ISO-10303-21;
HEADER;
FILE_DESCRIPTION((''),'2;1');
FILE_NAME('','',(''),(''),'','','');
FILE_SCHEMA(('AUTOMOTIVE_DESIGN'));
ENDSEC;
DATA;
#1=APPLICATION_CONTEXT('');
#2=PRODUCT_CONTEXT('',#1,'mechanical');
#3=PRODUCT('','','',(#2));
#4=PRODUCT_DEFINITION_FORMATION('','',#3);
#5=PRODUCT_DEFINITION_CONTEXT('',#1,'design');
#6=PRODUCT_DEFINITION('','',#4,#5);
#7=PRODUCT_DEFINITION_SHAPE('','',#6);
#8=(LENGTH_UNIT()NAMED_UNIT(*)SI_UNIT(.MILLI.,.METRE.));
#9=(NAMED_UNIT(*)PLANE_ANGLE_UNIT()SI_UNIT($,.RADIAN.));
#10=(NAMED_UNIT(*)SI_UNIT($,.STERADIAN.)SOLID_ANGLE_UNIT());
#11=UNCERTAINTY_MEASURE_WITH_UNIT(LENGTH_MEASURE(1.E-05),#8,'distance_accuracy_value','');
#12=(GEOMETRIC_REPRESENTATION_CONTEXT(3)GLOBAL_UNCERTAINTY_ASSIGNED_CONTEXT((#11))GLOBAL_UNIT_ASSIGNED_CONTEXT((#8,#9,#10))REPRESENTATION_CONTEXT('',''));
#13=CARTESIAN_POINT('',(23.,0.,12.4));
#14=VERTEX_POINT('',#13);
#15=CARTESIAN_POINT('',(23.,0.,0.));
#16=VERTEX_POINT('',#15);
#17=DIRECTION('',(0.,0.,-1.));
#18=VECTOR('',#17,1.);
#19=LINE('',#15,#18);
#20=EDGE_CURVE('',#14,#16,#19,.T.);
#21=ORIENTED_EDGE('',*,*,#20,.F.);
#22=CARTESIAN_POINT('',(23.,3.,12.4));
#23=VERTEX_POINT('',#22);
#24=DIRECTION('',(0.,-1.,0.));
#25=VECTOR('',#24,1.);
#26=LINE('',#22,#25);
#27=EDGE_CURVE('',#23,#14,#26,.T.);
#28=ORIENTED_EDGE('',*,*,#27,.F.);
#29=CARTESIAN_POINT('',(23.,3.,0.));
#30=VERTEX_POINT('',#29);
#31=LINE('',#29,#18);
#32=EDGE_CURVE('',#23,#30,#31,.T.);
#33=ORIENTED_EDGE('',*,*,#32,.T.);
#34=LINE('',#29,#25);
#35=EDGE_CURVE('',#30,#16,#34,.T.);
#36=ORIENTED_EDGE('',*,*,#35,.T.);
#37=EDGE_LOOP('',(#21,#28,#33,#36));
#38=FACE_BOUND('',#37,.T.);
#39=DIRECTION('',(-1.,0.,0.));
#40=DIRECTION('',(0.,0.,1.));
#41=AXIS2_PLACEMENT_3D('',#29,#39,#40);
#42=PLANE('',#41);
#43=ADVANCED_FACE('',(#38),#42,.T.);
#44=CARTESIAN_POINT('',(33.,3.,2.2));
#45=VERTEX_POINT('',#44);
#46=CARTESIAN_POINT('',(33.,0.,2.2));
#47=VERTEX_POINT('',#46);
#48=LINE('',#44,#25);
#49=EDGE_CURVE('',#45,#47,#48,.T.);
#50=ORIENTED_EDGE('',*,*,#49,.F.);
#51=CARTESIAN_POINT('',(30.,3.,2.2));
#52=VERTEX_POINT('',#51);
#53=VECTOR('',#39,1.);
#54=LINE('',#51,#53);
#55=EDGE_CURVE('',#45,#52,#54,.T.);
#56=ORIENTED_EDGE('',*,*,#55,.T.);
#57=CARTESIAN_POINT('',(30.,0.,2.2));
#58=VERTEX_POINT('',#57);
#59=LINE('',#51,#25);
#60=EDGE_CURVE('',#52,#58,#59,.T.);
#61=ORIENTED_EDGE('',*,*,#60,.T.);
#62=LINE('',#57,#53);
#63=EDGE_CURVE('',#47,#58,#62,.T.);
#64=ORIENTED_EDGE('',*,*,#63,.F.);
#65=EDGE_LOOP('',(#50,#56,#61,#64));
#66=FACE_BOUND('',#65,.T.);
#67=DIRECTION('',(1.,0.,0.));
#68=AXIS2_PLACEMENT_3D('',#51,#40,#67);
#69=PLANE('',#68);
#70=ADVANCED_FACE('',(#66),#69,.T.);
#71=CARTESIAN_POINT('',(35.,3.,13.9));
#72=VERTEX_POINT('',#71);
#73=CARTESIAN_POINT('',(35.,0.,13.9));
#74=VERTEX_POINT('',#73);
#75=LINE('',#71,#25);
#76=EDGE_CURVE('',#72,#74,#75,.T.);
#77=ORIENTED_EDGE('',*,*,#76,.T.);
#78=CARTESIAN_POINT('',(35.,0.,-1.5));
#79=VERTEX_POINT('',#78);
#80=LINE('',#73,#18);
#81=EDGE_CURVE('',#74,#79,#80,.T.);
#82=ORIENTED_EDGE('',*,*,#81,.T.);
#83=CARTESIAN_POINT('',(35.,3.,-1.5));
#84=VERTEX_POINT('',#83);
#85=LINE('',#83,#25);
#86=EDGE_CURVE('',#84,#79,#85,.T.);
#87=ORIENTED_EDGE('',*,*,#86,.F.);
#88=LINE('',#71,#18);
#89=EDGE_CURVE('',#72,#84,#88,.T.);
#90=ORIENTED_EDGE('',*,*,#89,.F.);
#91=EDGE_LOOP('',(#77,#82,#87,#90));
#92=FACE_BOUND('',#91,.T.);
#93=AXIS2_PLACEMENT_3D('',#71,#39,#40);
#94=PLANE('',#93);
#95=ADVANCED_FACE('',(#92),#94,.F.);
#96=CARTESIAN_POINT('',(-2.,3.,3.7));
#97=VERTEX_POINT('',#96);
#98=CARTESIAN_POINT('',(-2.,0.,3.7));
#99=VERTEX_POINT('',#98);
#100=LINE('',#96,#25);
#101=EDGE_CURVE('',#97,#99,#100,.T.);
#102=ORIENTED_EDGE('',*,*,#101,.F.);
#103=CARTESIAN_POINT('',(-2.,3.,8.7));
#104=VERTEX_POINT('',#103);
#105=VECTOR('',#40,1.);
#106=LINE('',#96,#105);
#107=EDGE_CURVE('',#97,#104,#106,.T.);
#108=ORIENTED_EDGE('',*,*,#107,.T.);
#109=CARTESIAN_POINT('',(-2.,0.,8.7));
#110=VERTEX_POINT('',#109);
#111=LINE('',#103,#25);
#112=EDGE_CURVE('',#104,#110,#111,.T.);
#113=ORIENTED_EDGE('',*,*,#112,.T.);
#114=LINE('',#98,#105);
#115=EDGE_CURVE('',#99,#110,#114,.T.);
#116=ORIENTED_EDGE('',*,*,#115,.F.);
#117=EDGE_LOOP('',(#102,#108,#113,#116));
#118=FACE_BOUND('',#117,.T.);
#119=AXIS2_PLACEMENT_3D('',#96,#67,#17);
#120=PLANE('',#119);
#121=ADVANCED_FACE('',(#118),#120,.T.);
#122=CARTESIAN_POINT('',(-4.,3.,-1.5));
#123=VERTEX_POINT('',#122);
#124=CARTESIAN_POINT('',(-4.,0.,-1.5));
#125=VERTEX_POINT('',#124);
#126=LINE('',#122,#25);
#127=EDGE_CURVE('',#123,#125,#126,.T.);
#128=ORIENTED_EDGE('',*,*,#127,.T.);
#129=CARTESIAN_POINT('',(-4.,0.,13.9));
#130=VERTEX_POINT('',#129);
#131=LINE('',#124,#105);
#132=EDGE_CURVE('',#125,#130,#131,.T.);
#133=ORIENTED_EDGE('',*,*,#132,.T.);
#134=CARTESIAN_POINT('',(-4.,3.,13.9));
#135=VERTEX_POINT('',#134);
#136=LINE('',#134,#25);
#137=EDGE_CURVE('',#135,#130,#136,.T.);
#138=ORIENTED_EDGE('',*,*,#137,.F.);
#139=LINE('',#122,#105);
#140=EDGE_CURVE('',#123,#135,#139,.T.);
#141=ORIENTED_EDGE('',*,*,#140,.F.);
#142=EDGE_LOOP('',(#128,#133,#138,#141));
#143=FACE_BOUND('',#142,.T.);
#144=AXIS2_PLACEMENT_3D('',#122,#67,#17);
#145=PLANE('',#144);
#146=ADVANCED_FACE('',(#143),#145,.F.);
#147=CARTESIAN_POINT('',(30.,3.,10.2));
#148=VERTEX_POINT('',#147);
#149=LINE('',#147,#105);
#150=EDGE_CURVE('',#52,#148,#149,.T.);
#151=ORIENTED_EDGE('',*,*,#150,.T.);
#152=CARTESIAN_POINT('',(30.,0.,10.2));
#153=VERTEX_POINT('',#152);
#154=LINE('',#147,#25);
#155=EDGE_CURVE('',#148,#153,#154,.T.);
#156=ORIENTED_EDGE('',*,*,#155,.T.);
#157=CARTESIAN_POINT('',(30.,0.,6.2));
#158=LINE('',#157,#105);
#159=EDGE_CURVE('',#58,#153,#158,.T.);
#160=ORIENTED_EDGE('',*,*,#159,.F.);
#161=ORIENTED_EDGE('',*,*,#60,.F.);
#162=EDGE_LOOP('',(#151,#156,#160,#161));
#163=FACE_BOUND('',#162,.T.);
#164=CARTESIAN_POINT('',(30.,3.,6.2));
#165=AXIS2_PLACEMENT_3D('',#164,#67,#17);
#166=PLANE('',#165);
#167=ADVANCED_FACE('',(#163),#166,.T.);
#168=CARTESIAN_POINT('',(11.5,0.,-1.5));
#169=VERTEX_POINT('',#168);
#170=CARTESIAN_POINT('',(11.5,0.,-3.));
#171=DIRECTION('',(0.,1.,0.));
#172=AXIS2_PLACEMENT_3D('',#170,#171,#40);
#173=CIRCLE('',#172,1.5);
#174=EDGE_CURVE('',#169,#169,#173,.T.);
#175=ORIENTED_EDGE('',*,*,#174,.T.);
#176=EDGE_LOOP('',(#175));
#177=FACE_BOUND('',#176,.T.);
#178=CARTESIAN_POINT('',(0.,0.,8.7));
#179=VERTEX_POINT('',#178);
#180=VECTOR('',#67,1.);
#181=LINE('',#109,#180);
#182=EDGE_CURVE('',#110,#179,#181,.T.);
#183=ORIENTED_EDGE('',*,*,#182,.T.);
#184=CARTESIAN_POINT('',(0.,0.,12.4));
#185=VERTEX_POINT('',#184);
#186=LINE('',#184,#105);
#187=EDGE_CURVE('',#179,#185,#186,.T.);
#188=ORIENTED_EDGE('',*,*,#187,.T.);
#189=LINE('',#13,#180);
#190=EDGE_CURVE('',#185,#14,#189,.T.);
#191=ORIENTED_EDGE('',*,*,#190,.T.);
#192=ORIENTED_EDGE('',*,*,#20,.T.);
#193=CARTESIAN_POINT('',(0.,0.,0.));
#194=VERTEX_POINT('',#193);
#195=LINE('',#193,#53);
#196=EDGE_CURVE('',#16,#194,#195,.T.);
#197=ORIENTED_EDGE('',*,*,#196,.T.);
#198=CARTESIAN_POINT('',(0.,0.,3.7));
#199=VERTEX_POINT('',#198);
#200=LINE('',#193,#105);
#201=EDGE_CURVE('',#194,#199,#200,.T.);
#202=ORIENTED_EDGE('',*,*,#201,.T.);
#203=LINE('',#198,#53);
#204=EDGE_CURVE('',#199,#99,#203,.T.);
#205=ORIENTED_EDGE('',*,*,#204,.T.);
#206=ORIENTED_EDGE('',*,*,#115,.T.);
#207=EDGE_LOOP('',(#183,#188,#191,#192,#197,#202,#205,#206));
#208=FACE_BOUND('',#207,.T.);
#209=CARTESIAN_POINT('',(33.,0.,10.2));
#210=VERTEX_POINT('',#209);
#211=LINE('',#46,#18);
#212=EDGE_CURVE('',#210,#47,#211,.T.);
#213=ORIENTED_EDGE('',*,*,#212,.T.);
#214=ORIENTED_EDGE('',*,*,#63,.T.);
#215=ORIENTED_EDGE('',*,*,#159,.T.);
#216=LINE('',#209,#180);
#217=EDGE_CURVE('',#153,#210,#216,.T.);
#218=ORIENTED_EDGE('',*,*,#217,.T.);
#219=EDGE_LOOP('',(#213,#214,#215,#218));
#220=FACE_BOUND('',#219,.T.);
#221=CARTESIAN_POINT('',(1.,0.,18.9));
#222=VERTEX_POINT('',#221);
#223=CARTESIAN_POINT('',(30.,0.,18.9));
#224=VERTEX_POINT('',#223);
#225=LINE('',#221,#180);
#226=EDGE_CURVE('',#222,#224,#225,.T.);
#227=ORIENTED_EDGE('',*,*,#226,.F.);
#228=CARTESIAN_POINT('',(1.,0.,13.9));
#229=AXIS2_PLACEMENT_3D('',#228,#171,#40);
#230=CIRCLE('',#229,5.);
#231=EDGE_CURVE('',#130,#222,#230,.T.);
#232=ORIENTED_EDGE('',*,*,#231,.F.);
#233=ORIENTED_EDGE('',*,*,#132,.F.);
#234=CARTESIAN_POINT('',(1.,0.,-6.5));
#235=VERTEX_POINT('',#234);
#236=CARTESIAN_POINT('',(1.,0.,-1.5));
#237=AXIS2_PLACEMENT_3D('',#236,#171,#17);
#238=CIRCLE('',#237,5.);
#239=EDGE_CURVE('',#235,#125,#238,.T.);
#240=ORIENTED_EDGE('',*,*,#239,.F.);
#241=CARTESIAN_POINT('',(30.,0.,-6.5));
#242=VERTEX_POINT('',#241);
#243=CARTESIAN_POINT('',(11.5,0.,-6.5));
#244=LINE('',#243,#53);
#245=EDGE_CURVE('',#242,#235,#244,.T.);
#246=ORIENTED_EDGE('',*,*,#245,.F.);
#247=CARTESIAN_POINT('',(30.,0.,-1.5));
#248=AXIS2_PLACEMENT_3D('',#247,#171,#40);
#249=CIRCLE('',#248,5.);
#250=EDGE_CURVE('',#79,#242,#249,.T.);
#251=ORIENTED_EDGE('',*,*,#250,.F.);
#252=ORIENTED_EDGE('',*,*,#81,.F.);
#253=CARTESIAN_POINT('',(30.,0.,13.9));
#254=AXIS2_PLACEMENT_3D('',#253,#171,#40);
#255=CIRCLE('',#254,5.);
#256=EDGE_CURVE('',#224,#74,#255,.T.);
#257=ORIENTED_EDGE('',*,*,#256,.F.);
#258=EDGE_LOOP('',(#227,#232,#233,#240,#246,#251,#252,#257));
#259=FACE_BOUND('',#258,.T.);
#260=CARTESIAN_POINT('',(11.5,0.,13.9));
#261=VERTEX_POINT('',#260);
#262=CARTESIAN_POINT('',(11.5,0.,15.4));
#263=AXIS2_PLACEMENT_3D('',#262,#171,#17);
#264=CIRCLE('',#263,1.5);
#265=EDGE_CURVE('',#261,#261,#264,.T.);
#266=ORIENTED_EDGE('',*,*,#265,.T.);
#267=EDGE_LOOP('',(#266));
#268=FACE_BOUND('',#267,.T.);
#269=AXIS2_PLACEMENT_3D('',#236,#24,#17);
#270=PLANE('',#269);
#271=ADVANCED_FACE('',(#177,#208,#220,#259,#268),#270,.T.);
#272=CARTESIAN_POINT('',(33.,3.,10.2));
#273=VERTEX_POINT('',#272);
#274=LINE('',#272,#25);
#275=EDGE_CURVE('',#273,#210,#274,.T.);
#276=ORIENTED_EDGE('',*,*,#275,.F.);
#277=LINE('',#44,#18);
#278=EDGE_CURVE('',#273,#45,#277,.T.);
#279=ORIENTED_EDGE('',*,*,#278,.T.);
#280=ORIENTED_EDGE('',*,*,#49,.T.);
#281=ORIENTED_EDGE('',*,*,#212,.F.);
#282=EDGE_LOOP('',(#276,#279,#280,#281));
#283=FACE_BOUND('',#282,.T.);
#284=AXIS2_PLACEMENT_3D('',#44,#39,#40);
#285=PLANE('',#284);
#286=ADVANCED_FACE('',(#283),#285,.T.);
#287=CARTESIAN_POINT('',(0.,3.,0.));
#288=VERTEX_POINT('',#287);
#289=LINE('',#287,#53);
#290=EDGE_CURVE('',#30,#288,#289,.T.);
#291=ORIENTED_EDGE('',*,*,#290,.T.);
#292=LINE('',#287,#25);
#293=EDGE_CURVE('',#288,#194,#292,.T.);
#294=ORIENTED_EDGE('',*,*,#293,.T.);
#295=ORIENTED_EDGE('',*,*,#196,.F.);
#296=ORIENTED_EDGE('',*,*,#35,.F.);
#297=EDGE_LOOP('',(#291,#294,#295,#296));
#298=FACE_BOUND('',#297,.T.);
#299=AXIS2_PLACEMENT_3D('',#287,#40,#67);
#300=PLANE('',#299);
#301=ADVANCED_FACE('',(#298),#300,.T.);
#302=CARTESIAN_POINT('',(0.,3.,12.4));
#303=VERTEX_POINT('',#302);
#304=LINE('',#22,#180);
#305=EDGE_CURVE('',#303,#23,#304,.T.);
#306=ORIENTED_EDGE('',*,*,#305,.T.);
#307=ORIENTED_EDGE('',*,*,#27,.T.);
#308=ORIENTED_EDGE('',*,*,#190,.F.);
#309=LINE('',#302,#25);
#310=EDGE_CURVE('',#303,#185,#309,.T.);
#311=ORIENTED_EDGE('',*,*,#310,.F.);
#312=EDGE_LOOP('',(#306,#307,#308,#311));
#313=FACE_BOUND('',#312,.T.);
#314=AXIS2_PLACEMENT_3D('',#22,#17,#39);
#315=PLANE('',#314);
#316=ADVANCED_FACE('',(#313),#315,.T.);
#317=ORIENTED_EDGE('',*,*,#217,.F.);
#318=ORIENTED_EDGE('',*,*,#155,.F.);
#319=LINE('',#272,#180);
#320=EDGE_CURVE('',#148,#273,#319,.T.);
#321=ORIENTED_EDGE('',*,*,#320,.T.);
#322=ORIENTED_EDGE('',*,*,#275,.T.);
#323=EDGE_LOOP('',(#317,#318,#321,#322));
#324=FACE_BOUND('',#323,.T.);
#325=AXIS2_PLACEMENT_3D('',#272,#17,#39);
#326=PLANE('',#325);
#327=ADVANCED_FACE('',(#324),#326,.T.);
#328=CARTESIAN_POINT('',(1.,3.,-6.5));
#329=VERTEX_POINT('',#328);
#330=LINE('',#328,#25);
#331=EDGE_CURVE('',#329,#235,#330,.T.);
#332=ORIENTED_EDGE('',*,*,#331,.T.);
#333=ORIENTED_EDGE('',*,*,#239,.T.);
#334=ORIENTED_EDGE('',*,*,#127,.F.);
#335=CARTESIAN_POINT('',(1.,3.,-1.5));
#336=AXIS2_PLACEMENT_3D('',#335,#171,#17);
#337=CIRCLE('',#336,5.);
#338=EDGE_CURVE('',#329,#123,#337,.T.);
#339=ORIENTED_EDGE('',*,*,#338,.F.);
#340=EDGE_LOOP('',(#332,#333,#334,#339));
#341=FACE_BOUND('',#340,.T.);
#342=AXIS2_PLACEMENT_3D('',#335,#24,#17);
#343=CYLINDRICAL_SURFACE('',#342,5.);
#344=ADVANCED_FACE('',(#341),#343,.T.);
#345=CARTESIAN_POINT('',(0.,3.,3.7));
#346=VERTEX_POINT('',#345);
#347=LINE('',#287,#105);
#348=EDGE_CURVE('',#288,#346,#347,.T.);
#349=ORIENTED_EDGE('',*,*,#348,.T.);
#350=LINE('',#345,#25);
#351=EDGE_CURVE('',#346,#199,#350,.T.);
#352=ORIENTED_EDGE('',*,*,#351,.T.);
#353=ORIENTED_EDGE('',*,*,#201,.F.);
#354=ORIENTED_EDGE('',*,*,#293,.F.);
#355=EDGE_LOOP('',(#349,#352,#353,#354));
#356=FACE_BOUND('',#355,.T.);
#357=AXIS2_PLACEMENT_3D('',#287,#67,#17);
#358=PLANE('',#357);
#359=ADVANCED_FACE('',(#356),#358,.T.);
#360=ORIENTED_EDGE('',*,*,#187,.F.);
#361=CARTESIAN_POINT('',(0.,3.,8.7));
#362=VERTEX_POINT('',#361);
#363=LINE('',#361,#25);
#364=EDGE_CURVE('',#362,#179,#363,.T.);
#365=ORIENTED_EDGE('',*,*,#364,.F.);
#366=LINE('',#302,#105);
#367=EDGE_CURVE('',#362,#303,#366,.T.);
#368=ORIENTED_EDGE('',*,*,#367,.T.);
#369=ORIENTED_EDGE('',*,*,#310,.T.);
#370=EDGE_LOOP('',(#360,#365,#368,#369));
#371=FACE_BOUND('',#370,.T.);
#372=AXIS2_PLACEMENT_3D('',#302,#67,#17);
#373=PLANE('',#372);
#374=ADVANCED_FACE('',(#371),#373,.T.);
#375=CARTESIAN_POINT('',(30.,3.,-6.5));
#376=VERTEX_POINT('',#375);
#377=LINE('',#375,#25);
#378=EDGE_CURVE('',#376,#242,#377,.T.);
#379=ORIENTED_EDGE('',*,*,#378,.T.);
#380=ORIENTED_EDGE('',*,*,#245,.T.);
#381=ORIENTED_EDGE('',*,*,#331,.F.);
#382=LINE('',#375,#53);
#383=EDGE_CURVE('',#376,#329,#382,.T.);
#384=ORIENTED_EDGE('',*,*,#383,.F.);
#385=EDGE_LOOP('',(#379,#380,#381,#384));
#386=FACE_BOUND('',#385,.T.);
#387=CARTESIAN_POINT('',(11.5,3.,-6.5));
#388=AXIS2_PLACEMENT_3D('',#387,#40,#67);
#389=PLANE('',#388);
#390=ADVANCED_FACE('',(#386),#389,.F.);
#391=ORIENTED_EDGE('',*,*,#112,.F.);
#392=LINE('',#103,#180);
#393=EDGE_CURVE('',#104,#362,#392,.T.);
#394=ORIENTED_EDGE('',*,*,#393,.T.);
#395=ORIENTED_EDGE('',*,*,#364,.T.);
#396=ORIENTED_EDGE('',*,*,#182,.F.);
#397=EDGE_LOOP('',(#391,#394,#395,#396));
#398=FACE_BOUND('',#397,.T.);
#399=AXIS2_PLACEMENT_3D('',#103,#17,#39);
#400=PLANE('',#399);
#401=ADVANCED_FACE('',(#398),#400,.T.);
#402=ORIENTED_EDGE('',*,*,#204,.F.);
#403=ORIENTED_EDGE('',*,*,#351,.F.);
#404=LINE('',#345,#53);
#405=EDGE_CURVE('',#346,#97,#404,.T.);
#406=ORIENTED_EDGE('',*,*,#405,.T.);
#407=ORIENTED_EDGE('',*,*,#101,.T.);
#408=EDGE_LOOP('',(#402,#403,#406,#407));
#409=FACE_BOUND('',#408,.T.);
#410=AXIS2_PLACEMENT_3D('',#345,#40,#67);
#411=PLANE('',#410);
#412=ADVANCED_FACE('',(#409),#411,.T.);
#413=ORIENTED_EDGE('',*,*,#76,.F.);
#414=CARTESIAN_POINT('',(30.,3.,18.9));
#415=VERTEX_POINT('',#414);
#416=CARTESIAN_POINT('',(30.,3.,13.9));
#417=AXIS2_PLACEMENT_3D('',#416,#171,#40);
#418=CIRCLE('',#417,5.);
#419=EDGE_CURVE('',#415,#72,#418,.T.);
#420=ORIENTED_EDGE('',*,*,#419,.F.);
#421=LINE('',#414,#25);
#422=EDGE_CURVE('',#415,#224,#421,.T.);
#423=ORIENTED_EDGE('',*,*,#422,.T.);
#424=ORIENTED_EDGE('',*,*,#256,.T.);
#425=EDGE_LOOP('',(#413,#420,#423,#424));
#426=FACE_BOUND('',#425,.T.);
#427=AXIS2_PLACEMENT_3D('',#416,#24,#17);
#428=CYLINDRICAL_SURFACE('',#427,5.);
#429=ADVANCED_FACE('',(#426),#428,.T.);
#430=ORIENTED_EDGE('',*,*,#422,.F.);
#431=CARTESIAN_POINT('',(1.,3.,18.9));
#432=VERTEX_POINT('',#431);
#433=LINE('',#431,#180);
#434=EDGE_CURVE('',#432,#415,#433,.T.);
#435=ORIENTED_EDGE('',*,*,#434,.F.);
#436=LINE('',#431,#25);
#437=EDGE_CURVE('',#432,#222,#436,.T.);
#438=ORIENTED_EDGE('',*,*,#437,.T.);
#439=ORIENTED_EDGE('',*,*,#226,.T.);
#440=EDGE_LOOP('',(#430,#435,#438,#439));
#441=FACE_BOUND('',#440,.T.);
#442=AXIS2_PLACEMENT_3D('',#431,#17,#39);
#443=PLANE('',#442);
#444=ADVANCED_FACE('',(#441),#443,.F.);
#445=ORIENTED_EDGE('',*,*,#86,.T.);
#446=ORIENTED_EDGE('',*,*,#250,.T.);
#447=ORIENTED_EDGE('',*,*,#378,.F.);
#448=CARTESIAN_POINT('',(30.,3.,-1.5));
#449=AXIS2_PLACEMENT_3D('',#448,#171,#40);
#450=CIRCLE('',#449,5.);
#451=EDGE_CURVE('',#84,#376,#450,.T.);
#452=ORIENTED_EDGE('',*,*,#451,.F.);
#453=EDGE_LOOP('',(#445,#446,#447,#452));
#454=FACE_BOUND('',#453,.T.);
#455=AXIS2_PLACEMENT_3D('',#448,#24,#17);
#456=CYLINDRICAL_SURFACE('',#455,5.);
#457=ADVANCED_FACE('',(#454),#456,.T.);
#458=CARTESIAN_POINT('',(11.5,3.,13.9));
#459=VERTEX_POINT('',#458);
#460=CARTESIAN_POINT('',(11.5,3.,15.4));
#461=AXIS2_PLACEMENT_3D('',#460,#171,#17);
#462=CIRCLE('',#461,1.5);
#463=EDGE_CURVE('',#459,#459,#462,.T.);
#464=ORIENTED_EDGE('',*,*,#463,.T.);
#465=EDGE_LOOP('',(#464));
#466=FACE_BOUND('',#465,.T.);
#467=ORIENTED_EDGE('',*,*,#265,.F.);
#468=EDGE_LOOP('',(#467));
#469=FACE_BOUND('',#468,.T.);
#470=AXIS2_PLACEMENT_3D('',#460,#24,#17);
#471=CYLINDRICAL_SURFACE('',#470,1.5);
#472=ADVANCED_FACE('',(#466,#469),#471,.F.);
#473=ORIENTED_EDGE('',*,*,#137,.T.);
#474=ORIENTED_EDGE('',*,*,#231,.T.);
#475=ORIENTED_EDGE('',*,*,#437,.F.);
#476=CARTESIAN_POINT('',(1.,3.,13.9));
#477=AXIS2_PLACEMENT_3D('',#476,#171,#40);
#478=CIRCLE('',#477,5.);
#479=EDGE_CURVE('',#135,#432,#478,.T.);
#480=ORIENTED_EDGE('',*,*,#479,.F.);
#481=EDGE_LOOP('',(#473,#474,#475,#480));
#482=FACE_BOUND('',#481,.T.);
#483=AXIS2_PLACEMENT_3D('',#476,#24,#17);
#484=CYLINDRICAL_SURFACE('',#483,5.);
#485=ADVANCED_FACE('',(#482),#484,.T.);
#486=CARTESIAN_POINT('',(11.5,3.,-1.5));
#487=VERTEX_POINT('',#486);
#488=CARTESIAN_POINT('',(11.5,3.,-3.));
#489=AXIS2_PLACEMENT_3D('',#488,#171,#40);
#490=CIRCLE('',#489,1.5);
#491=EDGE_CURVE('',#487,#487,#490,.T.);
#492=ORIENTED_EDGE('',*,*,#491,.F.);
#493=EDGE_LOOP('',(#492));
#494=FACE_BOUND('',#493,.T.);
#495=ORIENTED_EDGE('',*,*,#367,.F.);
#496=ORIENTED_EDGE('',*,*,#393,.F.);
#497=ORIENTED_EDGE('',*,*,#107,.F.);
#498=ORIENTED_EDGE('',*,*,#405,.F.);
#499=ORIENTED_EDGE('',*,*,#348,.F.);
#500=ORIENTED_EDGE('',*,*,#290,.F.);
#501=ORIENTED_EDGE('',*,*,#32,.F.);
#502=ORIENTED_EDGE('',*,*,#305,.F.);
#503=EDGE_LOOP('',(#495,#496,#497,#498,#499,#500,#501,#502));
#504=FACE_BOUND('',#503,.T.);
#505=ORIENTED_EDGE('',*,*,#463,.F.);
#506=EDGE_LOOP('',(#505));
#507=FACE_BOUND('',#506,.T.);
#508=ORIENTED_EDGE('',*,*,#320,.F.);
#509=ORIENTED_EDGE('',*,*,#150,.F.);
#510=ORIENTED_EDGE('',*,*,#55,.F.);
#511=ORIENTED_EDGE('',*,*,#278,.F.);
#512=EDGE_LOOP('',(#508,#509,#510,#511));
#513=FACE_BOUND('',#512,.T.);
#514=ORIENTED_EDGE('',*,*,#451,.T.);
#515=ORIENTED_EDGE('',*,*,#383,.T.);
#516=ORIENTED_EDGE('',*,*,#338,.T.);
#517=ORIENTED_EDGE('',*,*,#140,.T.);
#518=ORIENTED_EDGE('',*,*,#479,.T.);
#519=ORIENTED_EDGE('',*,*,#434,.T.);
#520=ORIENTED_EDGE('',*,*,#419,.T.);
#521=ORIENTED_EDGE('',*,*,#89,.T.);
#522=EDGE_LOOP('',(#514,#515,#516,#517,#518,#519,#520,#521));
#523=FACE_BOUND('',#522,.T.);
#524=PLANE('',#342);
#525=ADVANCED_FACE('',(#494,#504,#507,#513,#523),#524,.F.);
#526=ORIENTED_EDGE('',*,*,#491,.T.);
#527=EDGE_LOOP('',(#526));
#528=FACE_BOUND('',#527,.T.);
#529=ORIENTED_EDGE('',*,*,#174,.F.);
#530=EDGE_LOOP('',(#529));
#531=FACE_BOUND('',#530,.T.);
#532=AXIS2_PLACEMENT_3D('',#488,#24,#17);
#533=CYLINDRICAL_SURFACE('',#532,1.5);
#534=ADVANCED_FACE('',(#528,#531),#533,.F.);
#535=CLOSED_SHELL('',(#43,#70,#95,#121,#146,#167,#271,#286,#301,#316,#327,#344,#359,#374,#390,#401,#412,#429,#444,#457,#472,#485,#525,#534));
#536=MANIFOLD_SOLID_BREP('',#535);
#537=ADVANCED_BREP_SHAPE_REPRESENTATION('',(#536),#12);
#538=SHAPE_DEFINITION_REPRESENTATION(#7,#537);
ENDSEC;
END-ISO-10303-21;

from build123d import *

# Parameters (mm, degrees)
ESBO_O1_R                = 1.5
RESSALTO_EXTRUS_O1_DEPTH = 3


with BuildPart() as part:
    # Esboço1 → Ressalto-extrusão1 (new body)
    with BuildSketch(Plane(origin=(0, 0, 0), x_dir=(1, 0, 0), z_dir=(0, 1, 0))):
        with BuildLine():
            Line((11.5, 6.5), (1, 6.5))
            ThreePointArc((1, 6.5), (-2.535533906, 5.035533906), (-4, 1.5))
            Line((-4, 1.5), (-4, -13.9))
            ThreePointArc((-4, -13.9), (-2.535533906, -17.435533906), (1, -18.9))
            Line((1, -18.9), (30, -18.9))
            ThreePointArc((30, -18.9), (33.535533906, -17.435533906), (35, -13.9))
            Line((35, -13.9), (35, 1.5))
            ThreePointArc((35, 1.5), (33.535533906, 5.035533906), (30, 6.5))
            Line((30, 6.5), (11.5, 6.5))
        make_face()
        with Locations(Location((11.5, 3, 0), (0, 0, 270))):
            Circle(ESBO_O1_R, mode=Mode.SUBTRACT)
        with Locations(Location((11.5, -15.4, 0), (0, 0, 90))):
            Circle(ESBO_O1_R, mode=Mode.SUBTRACT)
        Polygon((0, 0), (23, 0), (23, -12.4), (0, -12.4), (0, -8.7), (-2, -8.7), (-2, -3.7), (0, -3.7), align=None, mode=Mode.SUBTRACT)
        Polygon((30, -6.2), (30, -2.2), (33, -2.2), (33, -10.2), (30, -10.2), align=None, mode=Mode.SUBTRACT)
    extrude(amount=RESSALTO_EXTRUS_O1_DEPTH)


solid = part.part
